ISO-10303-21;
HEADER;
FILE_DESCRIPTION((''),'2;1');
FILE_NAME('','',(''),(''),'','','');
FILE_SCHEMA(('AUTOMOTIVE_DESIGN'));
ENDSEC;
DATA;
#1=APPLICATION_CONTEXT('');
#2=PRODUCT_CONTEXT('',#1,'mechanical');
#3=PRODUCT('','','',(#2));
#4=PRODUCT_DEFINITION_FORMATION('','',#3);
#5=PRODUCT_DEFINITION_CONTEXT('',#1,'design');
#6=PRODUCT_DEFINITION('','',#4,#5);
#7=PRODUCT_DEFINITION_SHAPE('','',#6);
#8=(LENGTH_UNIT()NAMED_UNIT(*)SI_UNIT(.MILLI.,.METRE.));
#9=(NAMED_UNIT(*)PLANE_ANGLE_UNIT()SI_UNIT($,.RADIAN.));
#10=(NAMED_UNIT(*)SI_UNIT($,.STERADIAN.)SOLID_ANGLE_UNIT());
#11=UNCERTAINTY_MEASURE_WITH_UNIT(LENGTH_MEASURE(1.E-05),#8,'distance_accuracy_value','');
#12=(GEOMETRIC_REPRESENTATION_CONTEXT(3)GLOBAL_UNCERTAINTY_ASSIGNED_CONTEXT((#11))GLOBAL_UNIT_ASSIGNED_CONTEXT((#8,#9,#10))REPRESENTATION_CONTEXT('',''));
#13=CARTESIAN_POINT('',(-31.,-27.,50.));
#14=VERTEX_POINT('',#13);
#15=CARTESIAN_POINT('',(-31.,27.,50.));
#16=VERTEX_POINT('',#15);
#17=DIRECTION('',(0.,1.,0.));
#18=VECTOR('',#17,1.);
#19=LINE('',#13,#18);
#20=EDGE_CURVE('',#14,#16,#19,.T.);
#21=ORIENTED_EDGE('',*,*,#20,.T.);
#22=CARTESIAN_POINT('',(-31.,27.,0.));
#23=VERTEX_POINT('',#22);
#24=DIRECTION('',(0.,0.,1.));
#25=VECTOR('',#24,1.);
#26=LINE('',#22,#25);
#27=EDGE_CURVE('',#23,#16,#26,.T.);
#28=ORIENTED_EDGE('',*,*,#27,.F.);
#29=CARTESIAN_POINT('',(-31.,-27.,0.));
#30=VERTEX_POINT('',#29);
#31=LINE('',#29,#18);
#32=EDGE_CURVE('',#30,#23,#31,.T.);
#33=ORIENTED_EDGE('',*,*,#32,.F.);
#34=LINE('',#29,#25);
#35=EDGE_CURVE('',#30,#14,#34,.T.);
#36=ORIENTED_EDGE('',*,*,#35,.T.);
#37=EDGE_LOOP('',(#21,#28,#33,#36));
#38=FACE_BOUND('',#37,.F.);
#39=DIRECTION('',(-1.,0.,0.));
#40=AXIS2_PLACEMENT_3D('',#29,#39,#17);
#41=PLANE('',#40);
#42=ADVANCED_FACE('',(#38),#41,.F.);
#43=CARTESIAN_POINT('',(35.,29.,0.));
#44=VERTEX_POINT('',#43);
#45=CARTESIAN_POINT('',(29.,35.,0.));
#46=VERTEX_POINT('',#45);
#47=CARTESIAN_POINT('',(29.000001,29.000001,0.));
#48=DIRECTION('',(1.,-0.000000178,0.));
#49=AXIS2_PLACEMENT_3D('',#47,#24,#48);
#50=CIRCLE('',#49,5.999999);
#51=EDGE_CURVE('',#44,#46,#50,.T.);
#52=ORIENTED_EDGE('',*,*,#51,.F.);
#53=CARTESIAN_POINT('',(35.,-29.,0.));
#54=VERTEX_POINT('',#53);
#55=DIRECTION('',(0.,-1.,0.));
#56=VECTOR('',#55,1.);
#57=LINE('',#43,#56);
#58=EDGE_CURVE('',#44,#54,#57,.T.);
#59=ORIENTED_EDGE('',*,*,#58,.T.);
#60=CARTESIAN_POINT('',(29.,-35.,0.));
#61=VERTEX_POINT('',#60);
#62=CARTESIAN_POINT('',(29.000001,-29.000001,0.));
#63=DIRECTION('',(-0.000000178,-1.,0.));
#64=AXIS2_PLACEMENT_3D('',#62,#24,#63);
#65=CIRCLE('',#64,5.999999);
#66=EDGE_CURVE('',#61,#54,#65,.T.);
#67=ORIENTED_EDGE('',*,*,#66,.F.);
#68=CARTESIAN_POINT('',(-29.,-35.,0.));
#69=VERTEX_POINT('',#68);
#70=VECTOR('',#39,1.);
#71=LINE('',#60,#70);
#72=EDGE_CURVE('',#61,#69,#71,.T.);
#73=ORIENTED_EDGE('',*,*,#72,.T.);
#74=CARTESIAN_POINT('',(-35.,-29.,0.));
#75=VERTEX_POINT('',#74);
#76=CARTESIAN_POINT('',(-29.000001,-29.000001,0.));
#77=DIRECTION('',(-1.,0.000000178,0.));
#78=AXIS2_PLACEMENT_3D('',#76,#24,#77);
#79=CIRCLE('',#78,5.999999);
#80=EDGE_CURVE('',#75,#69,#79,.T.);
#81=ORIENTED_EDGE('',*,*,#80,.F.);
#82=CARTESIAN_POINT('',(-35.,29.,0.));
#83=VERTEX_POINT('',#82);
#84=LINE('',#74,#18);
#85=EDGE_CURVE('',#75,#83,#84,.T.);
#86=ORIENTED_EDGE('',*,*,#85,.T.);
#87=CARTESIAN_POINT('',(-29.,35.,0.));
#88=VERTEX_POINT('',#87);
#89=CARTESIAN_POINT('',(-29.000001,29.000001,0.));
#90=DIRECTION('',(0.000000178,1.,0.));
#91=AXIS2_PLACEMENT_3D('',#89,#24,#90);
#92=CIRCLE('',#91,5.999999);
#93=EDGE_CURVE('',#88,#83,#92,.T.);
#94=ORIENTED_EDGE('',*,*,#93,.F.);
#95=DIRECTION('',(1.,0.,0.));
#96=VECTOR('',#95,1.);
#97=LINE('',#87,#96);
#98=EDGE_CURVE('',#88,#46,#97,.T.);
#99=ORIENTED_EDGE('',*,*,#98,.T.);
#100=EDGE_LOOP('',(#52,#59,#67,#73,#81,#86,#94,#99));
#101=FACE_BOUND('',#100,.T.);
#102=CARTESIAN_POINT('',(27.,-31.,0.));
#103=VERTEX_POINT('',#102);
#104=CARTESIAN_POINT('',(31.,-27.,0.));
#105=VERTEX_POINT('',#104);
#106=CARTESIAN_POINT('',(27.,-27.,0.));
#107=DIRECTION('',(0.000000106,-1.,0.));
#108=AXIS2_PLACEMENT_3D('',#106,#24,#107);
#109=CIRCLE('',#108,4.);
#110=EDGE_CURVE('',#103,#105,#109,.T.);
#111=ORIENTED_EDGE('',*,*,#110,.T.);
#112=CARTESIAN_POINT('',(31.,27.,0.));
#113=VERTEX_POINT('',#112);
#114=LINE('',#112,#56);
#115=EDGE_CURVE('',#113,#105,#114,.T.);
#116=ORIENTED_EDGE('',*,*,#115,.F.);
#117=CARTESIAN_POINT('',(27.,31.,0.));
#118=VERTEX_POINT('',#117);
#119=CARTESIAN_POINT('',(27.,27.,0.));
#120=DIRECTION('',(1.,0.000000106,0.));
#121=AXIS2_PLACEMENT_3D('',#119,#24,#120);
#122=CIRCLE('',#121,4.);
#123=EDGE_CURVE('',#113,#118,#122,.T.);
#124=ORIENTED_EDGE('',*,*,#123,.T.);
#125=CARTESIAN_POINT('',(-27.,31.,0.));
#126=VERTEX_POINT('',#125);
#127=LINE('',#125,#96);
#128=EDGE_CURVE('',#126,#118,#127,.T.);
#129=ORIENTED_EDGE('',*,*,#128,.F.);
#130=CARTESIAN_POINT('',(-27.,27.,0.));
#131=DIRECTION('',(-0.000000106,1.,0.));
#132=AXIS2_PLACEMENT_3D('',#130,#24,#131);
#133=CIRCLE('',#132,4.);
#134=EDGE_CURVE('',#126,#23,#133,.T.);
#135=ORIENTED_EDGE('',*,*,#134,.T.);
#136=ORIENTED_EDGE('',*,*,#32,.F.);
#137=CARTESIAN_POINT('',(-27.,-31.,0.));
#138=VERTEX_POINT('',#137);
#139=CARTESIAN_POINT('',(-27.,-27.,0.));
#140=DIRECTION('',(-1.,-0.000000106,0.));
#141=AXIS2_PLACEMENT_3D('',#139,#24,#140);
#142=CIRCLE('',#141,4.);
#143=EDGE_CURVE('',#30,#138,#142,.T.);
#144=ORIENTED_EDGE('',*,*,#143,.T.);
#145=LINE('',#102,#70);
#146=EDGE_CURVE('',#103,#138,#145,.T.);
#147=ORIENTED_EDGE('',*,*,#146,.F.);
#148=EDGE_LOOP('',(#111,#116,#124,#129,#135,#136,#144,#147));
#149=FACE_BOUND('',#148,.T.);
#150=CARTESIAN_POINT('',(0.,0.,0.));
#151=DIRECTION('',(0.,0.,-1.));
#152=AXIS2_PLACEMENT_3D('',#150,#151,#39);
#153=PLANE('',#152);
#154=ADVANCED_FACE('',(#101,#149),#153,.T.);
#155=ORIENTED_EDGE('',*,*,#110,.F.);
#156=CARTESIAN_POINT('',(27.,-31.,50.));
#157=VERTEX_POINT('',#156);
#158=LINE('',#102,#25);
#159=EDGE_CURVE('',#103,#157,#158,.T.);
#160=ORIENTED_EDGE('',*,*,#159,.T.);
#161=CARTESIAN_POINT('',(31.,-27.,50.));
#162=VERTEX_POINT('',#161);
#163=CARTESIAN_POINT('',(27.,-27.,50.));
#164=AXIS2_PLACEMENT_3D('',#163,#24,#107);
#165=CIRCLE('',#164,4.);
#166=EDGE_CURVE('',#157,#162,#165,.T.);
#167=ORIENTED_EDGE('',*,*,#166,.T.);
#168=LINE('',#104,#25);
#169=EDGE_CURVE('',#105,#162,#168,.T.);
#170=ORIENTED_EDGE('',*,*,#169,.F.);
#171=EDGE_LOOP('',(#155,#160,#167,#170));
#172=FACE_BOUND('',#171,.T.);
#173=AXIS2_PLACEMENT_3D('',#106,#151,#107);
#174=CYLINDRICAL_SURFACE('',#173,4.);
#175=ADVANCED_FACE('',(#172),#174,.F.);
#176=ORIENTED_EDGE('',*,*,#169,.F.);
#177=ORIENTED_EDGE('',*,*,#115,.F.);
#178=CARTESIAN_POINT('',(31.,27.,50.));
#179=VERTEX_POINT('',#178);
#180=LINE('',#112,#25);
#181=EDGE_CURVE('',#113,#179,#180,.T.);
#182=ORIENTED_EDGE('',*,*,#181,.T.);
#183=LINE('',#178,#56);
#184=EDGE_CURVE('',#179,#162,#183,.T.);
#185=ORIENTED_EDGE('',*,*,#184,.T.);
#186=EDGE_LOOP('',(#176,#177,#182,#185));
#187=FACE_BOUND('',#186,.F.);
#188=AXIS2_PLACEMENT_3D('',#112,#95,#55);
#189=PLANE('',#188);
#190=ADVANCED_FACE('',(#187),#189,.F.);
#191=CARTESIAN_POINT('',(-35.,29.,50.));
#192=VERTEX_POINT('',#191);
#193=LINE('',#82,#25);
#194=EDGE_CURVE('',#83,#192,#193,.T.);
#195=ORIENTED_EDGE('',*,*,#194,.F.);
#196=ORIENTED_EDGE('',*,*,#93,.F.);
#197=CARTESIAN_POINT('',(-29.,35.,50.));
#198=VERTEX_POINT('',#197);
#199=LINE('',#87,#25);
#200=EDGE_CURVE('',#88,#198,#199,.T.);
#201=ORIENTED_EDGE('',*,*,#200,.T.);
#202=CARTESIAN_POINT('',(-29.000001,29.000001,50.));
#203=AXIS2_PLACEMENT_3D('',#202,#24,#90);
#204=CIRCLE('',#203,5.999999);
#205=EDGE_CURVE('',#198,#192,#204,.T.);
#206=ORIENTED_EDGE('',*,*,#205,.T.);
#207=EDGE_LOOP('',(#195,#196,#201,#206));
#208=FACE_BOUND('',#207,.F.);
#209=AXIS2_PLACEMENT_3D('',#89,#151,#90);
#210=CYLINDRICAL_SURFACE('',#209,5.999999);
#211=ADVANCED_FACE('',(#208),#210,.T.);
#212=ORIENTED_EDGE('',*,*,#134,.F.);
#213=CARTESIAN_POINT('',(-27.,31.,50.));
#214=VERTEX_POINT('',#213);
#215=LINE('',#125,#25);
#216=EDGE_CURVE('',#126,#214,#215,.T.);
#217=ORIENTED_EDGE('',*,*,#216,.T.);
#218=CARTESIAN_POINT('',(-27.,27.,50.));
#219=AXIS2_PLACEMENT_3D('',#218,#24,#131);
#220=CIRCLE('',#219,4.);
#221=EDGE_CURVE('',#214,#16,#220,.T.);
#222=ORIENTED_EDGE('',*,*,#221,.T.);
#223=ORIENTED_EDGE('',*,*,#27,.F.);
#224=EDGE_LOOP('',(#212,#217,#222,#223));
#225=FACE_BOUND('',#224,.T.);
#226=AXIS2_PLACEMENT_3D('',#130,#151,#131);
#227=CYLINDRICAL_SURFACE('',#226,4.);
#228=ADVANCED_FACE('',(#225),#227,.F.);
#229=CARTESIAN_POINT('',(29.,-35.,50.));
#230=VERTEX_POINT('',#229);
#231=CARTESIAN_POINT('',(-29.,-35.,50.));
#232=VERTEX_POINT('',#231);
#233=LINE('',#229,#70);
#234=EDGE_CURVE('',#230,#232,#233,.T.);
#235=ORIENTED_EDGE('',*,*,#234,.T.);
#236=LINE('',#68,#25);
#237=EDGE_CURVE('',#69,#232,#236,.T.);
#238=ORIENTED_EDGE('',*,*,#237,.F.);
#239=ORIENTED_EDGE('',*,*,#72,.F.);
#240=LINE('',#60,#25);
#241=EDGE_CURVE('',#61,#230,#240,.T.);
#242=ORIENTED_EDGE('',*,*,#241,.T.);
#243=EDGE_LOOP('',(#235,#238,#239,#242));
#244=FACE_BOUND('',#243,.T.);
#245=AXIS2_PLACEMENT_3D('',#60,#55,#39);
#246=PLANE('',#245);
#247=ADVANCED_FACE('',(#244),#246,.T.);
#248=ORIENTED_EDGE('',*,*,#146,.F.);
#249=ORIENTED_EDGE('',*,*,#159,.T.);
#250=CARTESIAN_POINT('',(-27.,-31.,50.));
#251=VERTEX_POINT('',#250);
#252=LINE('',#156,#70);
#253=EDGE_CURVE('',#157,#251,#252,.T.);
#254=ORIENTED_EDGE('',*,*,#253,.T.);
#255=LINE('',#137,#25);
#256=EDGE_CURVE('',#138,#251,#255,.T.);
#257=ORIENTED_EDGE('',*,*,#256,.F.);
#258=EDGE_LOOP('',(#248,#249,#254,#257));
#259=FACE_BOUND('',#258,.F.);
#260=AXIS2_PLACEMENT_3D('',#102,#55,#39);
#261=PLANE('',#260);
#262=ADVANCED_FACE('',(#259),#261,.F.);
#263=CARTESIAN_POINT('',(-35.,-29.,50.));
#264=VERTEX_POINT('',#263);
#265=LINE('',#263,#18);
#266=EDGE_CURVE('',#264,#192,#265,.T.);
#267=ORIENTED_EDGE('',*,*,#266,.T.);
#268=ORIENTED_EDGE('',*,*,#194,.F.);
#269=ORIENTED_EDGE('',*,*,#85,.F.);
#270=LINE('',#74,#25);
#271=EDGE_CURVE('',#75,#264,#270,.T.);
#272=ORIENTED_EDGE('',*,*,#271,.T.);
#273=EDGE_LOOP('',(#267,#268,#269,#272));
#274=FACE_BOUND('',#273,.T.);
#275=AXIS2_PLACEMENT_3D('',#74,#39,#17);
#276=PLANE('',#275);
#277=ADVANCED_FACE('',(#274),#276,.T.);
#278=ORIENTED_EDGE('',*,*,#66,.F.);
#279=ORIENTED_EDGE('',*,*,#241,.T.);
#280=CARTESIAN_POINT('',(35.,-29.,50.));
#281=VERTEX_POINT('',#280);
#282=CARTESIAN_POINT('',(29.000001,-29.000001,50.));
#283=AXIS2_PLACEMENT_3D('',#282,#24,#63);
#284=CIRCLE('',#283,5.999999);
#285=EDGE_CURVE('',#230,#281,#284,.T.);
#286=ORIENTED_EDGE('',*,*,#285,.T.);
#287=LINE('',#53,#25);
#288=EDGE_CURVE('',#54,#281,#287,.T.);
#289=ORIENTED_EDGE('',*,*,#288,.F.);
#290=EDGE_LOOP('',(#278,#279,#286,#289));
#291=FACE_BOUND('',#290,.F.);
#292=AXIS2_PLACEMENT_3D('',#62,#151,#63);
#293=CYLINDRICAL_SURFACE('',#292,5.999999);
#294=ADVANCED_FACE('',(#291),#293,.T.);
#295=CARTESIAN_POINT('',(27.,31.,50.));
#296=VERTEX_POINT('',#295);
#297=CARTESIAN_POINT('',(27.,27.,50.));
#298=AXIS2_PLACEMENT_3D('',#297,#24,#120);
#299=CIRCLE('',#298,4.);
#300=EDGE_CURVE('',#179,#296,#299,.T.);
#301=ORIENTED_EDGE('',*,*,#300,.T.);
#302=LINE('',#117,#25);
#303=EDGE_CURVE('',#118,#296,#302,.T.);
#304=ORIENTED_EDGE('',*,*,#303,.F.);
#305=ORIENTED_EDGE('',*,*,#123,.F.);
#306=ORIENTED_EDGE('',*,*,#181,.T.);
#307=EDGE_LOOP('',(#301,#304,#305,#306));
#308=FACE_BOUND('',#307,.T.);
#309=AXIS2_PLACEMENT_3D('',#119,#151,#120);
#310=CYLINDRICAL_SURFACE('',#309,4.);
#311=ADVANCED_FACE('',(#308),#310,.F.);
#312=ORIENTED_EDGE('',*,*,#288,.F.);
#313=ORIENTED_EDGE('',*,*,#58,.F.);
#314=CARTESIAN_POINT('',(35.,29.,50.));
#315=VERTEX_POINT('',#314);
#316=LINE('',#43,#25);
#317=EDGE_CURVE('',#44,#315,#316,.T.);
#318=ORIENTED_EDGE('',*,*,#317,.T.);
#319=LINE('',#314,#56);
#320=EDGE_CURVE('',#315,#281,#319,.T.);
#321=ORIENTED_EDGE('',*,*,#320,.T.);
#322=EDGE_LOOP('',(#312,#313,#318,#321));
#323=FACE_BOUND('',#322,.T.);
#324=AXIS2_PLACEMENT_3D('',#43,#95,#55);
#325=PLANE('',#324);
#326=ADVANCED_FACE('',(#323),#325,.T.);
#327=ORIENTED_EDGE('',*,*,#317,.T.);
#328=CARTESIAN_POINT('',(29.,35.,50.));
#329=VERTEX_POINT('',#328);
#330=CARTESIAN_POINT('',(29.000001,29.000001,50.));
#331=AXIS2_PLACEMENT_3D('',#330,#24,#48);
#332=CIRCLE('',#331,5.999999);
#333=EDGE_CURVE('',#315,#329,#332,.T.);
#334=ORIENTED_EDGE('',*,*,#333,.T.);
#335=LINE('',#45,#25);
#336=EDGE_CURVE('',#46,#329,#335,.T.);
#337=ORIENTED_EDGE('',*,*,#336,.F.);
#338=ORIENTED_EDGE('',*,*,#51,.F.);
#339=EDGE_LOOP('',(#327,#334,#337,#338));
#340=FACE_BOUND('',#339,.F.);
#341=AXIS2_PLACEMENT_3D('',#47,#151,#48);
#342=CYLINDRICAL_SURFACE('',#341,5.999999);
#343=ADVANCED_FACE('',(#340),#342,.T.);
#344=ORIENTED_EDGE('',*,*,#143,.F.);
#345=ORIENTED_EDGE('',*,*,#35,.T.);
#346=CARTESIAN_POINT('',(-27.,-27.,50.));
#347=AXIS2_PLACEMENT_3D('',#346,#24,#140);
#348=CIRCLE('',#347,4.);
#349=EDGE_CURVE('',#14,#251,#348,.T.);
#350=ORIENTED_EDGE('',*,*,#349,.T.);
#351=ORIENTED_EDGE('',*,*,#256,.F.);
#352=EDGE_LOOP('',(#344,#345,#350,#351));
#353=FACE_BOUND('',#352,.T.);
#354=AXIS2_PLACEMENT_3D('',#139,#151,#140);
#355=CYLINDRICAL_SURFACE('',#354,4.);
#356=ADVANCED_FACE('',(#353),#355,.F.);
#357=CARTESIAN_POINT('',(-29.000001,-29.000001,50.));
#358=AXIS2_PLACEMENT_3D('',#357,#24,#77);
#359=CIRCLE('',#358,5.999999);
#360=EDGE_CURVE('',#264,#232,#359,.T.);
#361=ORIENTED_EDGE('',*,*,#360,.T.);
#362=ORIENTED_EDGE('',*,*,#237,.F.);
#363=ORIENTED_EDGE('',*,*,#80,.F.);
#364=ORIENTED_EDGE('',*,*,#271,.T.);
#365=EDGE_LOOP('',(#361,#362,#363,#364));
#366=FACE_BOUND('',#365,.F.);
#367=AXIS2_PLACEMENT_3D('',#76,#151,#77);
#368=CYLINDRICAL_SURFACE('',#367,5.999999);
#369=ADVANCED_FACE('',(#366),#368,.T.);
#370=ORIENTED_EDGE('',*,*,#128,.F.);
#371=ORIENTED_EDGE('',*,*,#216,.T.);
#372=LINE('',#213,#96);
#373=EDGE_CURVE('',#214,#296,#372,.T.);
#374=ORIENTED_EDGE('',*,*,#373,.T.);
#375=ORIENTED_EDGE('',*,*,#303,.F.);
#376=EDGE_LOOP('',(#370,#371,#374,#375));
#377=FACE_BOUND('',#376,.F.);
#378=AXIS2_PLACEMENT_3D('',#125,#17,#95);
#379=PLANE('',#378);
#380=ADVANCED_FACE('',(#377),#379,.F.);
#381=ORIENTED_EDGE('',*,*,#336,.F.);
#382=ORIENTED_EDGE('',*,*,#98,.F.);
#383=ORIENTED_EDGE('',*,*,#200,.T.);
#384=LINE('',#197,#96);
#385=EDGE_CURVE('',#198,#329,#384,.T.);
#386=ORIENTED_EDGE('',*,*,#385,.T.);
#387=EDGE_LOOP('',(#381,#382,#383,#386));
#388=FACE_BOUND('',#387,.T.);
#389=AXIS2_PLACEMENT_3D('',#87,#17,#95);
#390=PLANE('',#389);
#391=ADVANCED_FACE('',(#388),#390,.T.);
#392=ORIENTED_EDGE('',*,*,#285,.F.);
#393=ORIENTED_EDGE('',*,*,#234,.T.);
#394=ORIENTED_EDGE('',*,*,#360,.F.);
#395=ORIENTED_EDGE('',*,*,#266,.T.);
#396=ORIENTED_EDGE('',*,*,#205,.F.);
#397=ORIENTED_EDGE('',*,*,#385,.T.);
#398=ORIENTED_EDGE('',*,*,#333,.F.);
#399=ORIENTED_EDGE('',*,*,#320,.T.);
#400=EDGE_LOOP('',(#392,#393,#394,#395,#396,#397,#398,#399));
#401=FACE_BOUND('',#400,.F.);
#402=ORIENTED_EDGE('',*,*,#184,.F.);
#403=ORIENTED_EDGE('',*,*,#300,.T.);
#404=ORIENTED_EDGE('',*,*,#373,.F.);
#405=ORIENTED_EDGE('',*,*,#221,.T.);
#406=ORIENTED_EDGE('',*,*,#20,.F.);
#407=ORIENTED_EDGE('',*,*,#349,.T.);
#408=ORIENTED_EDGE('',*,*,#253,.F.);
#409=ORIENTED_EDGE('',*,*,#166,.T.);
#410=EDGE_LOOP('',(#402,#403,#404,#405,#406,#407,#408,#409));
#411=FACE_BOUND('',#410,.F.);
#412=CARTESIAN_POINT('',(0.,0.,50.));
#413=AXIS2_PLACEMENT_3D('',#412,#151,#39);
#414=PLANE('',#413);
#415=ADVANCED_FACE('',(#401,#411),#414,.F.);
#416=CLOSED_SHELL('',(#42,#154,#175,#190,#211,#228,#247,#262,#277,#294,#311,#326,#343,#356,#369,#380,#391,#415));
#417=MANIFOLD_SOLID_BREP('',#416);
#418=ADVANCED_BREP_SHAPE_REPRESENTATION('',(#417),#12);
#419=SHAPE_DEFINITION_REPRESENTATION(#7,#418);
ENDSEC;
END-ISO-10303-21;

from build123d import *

# Parameters (mm, degrees)
EXTRUDE_DEPTH = 50


with BuildPart() as part:
    # Sketch → Extrude (new body)
    with BuildSketch(Plane.XY):
        with BuildLine():
            Line((-29, 35), (29, 35))
            ThreePointArc((35, 29), (33.242641, 33.242641), (29, 35))
            Line((35, 29), (35, -29))
            ThreePointArc((29, -35), (33.242641, -33.242641), (35, -29))
            Line((29, -35), (-29, -35))
            ThreePointArc((-35, -29), (-33.242641, -33.242641), (-29, -35))
            Line((-35, -29), (-35, 29))
            ThreePointArc((-29, 35), (-33.242641, 33.242641), (-35, 29))
        make_face()
        with BuildLine():
            Line((-27, 31), (27, 31))
            ThreePointArc((31, 27), (29.828427, 29.828427), (27, 31))
            Line((31, 27), (31, -27))
            ThreePointArc((27, -31), (29.828427, -29.828427), (31, -27))
            Line((27, -31), (-27, -31))
            ThreePointArc((-31, -27), (-29.828427, -29.828427), (-27, -31))
            Line((-31, -27), (-31, 27))
            ThreePointArc((-27, 31), (-29.828427, 29.828427), (-31, 27))
        make_face(mode=Mode.SUBTRACT)
    extrude(amount=EXTRUDE_DEPTH)


solid = part.part
